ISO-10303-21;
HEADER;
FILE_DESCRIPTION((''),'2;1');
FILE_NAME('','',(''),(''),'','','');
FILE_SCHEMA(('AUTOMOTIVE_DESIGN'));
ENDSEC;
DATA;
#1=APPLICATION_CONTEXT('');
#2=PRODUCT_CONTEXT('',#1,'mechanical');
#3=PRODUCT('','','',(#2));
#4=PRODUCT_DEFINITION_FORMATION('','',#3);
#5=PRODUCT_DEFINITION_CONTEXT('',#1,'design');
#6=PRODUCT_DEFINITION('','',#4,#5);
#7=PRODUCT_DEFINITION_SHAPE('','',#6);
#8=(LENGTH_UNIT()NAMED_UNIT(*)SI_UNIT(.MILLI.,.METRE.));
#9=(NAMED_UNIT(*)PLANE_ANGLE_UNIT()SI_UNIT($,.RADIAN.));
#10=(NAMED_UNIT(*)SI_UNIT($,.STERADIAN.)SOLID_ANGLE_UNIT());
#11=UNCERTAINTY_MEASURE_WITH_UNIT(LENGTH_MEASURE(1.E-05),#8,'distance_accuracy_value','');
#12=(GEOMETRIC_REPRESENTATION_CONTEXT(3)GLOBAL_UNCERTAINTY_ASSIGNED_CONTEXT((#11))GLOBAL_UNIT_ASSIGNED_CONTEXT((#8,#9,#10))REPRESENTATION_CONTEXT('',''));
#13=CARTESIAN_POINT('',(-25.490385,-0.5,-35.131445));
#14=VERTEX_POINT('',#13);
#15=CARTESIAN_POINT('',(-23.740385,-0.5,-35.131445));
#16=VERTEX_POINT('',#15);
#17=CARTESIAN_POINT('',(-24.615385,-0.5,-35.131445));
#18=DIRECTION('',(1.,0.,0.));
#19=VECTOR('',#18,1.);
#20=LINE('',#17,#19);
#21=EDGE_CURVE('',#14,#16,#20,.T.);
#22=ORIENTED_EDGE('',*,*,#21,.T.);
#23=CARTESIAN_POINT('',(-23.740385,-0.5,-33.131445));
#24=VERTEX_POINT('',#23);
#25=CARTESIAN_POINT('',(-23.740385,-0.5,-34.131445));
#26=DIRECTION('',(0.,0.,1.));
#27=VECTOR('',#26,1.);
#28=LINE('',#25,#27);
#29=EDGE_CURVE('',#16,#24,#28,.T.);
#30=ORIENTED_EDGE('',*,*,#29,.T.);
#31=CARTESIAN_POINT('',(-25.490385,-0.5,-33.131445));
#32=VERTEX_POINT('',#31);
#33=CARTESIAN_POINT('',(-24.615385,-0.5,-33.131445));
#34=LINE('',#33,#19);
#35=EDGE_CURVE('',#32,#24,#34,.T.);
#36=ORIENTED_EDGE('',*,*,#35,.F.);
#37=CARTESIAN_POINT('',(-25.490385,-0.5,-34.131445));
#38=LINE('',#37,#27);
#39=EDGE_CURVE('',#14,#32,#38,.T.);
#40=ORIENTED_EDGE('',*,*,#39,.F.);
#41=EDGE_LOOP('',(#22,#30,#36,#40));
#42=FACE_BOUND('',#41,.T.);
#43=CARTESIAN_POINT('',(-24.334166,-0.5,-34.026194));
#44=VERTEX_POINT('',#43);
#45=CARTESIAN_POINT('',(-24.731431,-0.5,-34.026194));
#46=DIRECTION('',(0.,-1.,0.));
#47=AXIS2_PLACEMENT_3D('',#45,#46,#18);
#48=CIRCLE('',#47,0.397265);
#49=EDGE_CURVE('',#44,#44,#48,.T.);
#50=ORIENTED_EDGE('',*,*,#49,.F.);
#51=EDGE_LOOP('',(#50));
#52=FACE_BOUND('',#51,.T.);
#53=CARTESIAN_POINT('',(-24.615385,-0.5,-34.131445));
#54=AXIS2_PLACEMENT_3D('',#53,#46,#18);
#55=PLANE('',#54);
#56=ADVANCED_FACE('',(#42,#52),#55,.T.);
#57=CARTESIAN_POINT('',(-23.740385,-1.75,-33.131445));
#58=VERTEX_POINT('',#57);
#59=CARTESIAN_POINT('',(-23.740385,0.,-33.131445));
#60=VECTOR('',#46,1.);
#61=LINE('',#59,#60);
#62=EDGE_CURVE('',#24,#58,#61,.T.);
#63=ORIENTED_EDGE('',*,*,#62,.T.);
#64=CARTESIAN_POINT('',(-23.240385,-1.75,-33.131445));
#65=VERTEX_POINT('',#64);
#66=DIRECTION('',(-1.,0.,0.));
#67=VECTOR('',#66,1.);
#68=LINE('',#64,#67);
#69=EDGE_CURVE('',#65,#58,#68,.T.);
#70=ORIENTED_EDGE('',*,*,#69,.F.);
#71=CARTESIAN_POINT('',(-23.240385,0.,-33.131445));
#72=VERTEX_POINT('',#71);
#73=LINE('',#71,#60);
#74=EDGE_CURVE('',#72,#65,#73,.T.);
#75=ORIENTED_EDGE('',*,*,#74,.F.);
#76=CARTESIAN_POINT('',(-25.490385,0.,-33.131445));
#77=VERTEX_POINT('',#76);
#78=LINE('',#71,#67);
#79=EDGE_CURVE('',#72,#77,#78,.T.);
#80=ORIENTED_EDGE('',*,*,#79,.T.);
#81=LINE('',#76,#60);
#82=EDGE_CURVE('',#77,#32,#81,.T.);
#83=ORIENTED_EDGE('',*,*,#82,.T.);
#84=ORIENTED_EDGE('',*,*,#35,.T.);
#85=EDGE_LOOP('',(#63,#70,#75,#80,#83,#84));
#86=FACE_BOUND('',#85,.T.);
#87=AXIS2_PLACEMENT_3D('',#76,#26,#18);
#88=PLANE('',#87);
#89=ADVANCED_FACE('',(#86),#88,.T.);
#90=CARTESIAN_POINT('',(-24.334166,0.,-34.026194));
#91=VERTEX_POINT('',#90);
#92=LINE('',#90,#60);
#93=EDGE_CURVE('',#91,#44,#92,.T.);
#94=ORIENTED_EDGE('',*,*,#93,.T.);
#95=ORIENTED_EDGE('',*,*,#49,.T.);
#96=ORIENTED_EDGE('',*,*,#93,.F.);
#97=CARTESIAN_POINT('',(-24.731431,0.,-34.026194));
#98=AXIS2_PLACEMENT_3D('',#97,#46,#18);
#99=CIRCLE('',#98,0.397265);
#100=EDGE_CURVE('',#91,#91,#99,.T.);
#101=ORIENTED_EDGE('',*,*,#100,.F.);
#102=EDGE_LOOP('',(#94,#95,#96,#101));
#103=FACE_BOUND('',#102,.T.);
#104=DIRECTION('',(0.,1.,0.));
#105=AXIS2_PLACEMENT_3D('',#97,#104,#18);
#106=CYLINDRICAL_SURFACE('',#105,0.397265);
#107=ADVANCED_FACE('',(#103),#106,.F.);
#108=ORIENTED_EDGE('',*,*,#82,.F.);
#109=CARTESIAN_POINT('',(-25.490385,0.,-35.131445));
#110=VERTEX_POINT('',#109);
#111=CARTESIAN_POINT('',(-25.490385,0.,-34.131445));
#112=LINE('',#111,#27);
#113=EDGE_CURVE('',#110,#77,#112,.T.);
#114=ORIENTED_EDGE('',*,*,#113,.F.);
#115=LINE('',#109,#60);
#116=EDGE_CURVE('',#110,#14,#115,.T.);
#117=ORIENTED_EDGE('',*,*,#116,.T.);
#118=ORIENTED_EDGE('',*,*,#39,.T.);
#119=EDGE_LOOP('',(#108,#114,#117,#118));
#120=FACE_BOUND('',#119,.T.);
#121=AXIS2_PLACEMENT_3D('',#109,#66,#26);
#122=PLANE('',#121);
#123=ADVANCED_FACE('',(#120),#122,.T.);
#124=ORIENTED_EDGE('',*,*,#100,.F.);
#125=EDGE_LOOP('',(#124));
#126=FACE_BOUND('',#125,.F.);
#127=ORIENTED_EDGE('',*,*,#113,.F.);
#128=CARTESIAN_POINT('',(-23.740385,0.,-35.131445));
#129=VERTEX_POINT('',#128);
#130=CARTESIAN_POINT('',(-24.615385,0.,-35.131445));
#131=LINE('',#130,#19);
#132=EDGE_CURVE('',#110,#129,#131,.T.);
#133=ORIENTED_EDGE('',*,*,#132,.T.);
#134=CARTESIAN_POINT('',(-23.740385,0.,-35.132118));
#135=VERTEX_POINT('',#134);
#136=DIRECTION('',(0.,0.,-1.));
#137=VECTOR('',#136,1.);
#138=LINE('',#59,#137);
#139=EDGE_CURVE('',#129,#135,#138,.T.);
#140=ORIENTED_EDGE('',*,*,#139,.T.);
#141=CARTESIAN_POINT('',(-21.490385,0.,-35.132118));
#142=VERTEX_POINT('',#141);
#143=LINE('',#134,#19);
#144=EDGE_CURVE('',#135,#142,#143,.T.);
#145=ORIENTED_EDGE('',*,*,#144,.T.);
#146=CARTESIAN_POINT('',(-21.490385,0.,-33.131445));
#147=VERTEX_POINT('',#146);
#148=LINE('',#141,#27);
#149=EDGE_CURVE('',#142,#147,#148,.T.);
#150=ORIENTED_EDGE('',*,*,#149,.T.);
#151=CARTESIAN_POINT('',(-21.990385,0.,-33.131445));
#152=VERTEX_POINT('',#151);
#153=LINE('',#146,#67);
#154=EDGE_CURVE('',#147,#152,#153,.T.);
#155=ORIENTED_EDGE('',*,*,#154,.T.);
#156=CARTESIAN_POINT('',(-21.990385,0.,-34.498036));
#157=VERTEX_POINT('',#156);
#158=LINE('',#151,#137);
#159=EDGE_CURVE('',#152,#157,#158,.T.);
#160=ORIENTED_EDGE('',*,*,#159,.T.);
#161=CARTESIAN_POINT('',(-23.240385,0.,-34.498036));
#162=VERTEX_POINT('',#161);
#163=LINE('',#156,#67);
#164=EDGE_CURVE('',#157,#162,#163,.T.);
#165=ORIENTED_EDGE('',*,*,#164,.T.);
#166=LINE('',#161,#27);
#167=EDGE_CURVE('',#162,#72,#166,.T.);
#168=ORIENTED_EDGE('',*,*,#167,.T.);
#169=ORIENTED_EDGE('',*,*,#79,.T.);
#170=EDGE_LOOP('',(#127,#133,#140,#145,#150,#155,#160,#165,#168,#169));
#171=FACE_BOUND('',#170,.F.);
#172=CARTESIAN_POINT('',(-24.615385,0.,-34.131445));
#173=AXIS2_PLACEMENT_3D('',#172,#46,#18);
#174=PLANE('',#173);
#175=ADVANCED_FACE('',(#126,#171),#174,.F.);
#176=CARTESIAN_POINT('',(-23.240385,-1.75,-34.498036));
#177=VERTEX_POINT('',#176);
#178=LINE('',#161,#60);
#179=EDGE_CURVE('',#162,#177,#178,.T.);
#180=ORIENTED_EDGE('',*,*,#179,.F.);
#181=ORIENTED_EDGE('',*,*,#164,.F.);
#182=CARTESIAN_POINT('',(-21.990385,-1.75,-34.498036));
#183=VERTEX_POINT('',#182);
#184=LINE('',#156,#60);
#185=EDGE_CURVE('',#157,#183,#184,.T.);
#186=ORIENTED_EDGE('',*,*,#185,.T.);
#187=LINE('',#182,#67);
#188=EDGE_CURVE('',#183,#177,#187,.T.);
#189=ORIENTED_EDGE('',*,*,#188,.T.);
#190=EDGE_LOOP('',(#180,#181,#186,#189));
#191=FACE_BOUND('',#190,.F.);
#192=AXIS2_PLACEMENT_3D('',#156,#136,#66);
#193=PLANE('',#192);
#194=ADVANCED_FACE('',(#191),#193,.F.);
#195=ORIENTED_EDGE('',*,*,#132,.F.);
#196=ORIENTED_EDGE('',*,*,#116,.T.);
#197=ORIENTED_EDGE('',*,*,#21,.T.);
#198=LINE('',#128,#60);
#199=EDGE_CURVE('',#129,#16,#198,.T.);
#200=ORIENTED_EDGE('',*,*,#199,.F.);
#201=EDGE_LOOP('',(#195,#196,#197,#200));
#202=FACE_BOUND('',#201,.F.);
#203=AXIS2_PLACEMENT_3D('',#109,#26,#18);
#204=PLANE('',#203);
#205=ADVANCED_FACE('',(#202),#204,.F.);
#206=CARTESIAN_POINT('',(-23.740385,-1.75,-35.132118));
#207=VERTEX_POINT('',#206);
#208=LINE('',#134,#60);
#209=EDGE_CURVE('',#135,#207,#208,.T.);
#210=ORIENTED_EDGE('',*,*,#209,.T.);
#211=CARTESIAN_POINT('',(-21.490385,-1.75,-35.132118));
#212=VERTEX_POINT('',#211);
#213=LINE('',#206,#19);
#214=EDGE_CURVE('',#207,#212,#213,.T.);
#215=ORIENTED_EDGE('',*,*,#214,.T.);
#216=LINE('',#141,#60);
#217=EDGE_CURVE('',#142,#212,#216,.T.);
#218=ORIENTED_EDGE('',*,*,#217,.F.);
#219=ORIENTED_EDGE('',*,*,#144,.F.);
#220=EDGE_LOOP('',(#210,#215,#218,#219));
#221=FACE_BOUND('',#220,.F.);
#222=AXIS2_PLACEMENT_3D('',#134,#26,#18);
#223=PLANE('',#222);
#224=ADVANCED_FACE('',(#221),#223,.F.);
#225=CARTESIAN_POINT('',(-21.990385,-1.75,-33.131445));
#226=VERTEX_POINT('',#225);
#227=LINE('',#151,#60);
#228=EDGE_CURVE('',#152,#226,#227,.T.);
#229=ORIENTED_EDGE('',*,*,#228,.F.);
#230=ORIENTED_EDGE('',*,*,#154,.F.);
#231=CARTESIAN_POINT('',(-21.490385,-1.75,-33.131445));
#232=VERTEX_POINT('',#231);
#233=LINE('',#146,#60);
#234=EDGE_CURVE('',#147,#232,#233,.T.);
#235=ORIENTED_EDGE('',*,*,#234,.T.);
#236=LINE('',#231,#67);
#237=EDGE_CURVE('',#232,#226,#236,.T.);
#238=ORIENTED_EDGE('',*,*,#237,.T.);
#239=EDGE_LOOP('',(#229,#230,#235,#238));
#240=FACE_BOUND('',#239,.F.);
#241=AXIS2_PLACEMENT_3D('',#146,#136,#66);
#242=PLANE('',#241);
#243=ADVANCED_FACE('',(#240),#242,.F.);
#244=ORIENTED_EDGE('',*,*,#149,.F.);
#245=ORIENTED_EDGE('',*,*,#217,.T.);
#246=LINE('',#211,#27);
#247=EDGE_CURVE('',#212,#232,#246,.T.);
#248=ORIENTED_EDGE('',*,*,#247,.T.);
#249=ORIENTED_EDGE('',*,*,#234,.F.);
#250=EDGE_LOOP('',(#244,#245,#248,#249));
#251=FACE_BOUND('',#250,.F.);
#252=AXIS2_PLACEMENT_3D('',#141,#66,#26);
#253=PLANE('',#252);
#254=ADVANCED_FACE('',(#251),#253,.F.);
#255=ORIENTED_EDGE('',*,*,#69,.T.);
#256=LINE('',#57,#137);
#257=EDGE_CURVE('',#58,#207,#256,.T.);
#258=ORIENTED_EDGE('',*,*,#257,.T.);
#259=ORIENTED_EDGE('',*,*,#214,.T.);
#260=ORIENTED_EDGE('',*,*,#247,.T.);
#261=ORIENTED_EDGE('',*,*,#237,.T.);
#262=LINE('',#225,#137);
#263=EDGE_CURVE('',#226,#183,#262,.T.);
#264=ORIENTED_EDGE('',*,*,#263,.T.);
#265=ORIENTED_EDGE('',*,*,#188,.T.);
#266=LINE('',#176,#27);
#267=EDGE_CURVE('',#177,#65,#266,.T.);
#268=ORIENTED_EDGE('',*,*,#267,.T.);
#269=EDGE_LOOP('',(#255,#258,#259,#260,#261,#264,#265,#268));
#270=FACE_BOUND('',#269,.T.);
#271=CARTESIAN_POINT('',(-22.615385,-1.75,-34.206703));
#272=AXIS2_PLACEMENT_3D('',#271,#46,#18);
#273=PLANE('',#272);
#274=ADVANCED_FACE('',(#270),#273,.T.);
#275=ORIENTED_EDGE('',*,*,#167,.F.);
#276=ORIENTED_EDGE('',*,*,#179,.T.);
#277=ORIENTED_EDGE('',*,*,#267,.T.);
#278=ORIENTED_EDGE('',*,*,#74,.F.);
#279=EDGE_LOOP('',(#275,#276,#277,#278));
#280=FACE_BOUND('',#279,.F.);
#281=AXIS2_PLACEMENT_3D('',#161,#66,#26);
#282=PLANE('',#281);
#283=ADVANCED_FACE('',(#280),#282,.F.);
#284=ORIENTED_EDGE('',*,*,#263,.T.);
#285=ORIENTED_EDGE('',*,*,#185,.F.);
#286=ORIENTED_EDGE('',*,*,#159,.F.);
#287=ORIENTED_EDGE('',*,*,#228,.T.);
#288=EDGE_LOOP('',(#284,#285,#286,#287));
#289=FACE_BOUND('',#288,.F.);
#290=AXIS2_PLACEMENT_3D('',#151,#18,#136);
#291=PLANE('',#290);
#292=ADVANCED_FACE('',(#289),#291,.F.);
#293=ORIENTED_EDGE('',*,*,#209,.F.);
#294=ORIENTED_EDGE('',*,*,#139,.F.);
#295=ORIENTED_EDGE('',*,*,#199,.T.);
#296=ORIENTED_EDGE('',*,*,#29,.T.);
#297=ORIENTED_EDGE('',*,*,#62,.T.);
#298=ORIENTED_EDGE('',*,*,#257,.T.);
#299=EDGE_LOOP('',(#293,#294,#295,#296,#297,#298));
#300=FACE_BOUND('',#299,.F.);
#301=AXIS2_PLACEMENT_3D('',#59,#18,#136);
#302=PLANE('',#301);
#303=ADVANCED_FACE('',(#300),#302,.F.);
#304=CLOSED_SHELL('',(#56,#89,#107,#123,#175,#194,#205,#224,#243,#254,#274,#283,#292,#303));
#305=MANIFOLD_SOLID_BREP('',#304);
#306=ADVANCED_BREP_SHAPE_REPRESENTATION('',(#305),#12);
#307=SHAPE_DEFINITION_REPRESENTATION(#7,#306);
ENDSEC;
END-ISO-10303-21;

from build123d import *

# Parameters (mm, degrees)
F1_DEPTH = 1.75
F0_W     = 1.75
F0_H     = 2
F0_R     = 0.397265
F2_DEPTH = 0.5


with BuildPart() as f1:
    # F0 (on Front) → F1 (new body)
    with BuildSketch(Plane.XZ):
        Polygon((-23.240385, -33.131445), (-23.740385, -33.131445), (-23.740385, -35.131445), (-23.740385, -35.132118), (-21.490385, -35.132118), (-21.490385, -33.131445), (-21.990385, -33.131445), (-21.990385, -34.498036), (-23.240385, -34.498036), align=None)
    extrude(amount=F1_DEPTH)

    # F0 (on Front) → F2 (join)
    with BuildSketch(Plane.XZ):
        with Locations((-24.615385, -34.131445)):
            Rectangle(F0_W, F0_H)
        with Locations((-24.731431, -34.026194)):
            Circle(F0_R, mode=Mode.SUBTRACT)
    extrude(amount=F2_DEPTH)


solid = f1.part
